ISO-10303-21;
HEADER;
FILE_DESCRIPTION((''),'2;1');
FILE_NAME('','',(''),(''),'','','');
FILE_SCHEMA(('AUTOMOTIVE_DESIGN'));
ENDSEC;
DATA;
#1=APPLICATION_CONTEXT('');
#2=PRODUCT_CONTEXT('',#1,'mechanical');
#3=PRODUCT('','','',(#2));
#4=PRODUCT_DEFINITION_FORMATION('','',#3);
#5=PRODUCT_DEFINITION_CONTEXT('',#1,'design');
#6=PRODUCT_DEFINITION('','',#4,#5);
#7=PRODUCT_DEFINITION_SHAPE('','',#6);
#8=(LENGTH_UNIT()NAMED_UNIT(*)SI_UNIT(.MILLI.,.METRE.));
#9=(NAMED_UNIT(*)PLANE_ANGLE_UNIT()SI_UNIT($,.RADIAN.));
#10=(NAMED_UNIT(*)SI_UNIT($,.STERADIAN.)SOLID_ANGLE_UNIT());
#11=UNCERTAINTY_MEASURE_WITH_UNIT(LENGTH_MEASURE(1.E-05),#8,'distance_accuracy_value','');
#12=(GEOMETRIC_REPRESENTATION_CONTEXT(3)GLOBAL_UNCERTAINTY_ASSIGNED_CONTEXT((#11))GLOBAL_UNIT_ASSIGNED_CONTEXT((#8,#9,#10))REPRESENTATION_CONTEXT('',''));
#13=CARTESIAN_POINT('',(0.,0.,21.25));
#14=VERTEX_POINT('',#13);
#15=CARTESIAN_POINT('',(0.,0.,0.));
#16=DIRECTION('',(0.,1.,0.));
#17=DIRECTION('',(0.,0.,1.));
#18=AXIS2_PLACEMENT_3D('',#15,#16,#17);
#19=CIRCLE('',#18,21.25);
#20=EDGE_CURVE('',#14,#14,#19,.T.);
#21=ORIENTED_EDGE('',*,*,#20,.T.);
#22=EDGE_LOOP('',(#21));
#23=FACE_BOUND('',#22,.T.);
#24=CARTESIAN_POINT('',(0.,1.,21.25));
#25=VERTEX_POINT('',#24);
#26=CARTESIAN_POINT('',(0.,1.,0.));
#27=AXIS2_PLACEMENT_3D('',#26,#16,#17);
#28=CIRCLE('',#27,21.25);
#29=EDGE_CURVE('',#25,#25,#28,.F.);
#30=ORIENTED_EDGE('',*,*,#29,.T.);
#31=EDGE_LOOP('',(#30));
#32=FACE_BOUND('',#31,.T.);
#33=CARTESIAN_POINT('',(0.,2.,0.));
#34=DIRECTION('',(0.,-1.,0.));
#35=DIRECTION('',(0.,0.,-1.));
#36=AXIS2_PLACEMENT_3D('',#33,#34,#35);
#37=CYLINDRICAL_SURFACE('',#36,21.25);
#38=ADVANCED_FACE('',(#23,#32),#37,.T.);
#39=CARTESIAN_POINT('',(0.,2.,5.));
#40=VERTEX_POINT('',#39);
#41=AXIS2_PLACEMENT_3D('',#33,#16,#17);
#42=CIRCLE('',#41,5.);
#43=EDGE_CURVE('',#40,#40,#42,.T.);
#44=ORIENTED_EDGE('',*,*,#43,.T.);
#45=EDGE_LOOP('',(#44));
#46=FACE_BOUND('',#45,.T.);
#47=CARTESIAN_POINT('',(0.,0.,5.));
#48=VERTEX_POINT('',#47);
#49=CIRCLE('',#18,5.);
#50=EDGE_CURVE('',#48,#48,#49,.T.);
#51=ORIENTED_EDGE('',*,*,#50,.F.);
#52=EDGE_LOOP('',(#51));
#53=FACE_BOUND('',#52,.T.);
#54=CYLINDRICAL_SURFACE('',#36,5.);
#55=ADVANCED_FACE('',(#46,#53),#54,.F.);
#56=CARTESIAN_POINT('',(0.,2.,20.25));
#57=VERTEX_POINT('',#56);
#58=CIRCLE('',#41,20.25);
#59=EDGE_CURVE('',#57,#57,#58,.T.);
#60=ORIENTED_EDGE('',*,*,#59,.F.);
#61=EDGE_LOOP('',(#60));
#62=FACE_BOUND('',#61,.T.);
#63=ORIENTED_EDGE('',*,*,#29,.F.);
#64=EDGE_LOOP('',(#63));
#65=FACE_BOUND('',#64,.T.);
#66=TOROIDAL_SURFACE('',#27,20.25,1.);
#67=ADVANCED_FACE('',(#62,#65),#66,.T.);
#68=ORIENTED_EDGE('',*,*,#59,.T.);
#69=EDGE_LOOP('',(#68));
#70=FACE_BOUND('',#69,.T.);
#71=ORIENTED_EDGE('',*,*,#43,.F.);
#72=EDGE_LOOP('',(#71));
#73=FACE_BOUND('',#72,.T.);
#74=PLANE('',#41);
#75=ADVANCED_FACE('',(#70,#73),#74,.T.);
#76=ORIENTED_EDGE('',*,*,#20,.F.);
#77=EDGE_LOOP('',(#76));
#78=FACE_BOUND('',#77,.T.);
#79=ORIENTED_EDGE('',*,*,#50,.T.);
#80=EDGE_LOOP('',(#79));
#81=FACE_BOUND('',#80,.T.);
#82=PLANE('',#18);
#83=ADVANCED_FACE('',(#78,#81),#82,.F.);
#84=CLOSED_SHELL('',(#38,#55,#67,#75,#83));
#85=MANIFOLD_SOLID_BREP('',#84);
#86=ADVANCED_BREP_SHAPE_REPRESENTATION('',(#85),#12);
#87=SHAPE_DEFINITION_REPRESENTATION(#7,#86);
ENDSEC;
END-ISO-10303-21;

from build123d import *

# Parameters (mm, degrees)
SKETCH1_R           = 21.25
SKETCH1_R_2         = 5
BOSS_EXTRUDE1_DEPTH = 2
FILLET1_R           = 1


with BuildPart() as part:
    # Sketch1 → Boss-Extrude1 (new body)
    with BuildSketch(Plane(origin=(0, 0, 0), x_dir=(1, 0, 0), z_dir=(0, 1, 0))):
        with Locations(Location((0, 0, 0), (0, 0, 270))):
            Circle(SKETCH1_R)
        with Locations(Location((0, 0, 0), (0, 0, 270))):
            Circle(SKETCH1_R_2, mode=Mode.SUBTRACT)
    extrude(amount=BOSS_EXTRUDE1_DEPTH)

    # Fillet1
    fillet1_edges = [part.edges().sort_by_distance(p)[0] for p in [
        (0, 2, -21.25),
    ]]
    fillet(fillet1_edges, radius=FILLET1_R)


solid = part.part
